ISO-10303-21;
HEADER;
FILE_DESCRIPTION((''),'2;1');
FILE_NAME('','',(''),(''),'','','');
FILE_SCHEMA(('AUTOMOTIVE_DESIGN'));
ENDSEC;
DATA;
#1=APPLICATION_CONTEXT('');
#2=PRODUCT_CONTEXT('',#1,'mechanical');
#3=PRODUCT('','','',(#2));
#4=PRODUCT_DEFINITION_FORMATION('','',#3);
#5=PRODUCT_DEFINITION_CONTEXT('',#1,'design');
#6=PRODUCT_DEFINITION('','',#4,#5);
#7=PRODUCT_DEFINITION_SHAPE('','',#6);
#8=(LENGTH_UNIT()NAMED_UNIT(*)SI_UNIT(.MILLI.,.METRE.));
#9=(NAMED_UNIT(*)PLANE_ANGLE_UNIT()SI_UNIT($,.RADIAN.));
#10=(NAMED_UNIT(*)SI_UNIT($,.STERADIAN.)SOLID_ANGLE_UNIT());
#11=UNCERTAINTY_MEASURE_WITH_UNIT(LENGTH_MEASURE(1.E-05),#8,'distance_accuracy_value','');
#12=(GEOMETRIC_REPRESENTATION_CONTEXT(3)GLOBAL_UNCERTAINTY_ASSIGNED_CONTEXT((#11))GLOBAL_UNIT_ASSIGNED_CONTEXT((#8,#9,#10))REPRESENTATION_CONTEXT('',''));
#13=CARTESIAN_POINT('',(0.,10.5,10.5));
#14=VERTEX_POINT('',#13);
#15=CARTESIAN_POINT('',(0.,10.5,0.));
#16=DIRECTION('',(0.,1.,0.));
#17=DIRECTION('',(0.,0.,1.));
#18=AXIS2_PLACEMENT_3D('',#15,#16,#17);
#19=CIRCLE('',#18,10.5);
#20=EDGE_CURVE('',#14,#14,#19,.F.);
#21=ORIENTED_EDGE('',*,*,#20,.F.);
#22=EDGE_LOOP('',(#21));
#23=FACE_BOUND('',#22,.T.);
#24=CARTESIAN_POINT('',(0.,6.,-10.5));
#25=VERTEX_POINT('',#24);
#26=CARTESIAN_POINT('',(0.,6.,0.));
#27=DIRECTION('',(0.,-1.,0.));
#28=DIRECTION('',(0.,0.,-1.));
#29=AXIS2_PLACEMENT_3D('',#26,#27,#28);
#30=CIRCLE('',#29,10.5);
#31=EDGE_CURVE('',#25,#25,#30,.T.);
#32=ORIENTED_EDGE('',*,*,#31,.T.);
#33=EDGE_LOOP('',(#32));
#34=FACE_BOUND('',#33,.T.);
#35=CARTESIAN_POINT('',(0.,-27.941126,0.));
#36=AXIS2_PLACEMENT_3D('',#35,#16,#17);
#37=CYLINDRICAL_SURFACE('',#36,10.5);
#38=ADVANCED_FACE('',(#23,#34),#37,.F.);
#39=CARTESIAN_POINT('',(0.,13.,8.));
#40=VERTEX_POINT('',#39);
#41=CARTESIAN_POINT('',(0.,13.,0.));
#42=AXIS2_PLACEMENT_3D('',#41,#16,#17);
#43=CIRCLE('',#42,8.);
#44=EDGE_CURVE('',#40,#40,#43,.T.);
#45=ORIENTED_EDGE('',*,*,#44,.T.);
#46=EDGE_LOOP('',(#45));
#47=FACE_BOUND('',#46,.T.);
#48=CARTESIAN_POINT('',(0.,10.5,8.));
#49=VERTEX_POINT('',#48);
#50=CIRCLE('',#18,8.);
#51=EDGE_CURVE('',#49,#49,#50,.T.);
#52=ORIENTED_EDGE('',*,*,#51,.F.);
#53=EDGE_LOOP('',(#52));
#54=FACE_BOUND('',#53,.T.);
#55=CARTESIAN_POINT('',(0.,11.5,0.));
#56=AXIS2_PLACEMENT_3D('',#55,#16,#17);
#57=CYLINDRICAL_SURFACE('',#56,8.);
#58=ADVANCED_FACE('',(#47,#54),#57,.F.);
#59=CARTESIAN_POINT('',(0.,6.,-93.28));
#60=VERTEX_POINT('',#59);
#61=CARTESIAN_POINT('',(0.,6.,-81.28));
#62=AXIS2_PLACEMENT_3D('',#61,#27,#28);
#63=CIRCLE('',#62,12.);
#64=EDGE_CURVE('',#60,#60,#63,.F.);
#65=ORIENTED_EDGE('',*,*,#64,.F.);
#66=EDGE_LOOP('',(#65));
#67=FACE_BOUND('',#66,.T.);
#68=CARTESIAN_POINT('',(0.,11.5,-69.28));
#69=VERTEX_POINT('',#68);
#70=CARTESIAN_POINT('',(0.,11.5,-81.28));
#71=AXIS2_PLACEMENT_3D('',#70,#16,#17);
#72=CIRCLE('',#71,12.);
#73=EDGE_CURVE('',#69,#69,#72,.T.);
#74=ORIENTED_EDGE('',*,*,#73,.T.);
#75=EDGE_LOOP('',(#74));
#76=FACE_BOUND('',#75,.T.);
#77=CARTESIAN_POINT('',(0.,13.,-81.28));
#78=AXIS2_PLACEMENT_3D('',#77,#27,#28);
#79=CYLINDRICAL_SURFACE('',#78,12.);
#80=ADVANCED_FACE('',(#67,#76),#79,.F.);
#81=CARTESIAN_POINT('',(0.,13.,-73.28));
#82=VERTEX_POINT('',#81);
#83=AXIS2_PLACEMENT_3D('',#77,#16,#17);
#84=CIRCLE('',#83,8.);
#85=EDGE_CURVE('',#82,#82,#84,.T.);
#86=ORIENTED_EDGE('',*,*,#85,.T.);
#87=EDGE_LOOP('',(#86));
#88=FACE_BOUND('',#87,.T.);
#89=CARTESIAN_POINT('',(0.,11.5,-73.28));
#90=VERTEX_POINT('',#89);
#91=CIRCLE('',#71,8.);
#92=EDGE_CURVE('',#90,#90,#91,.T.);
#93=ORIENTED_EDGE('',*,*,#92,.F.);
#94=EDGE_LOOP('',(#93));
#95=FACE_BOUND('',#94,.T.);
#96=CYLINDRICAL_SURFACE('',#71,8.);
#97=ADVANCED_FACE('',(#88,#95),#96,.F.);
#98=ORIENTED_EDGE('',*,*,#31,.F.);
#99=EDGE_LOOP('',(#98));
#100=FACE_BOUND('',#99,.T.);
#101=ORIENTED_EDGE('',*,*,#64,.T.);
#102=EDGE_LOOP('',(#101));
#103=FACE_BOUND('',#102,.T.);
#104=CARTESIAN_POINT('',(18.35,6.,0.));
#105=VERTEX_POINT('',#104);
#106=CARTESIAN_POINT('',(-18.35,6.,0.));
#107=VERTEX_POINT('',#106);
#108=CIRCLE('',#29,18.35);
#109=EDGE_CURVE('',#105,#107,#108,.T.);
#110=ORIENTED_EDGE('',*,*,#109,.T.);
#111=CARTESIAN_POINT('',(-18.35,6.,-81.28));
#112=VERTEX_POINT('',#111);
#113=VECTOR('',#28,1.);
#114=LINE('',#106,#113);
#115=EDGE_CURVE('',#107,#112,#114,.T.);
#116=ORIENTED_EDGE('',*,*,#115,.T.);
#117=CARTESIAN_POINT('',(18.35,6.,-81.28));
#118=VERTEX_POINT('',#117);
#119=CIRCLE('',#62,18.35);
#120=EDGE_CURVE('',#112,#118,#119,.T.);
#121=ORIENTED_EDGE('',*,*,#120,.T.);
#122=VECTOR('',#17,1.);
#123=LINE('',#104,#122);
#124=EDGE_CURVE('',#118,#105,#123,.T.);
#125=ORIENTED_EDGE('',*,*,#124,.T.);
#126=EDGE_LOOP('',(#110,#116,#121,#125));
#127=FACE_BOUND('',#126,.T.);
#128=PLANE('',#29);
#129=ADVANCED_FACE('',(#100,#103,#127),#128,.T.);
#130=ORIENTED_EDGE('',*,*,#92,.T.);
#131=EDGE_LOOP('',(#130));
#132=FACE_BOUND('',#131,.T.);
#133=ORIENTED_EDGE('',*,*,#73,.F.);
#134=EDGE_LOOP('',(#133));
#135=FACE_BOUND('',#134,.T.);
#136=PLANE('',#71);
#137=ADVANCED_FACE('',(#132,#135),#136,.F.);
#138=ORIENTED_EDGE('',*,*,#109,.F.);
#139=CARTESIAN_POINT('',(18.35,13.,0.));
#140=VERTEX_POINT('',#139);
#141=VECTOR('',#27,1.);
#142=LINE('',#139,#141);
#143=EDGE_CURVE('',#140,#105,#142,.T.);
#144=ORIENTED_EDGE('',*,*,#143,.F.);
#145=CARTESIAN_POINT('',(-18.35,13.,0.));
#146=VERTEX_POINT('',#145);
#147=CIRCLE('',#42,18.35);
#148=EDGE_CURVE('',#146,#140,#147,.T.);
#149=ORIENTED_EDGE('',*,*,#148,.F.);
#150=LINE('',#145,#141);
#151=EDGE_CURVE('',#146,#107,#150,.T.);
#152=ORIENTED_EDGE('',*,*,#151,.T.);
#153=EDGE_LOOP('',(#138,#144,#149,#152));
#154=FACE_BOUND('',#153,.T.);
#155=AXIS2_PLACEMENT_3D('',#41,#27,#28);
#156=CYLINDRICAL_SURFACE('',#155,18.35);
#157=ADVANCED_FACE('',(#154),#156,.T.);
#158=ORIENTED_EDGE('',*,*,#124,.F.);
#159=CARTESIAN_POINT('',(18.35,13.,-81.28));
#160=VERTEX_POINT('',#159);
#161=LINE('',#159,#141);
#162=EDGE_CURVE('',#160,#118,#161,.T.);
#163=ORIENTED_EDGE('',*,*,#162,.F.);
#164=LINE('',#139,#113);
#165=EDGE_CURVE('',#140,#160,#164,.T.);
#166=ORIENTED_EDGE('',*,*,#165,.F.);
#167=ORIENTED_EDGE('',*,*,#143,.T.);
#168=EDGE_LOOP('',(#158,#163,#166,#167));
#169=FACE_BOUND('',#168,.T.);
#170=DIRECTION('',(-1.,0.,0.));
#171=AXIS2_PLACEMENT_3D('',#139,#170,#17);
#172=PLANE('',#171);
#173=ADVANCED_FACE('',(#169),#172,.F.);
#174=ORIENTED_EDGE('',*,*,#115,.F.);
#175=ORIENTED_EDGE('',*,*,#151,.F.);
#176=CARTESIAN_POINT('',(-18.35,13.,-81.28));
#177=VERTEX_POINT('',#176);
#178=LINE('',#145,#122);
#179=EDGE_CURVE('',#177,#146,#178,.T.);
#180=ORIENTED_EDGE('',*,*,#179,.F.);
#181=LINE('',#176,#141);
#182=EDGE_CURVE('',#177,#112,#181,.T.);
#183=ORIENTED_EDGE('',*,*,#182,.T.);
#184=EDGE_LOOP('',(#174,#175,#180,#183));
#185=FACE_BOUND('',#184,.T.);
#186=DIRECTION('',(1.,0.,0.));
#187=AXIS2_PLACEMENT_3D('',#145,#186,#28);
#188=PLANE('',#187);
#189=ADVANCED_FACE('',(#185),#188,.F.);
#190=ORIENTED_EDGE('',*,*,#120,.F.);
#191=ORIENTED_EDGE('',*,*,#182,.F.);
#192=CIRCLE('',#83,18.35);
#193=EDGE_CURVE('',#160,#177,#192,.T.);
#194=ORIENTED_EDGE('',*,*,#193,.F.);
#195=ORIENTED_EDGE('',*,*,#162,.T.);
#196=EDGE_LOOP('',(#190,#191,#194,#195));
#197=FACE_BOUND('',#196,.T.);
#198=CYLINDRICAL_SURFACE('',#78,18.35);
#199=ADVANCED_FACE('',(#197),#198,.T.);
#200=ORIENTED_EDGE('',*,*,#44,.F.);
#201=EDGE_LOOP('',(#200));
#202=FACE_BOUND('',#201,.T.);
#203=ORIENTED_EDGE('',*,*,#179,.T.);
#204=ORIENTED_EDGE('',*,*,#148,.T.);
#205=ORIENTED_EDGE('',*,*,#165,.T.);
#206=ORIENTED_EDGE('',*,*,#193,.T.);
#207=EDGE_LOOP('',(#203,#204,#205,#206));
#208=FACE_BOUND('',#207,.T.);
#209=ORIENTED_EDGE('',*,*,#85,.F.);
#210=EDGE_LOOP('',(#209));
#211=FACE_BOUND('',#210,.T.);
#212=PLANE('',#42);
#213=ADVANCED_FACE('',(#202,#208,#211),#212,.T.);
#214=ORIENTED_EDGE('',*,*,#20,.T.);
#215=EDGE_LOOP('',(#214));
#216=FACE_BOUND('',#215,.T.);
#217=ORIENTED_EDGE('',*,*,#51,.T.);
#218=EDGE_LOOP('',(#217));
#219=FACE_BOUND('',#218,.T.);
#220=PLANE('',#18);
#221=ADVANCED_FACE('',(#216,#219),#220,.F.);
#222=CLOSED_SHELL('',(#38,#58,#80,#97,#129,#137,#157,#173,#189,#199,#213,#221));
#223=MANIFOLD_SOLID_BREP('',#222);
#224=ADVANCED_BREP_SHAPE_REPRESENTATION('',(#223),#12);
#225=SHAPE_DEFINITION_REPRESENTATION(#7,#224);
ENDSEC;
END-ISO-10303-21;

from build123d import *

# Parameters (mm, degrees)
SKETCH1_R           = 12.000000003
BOSS_EXTRUDE1_DEPTH = 13
SKETCH2_R           = 12.000000003
CUT_EXTRUDE1_DEPTH  = 6
BOSS_EXTRUDE2_START = -1.5
SKETCH3_R           = 12.000000003
SKETCH3_R_2         = 8
BOSS_EXTRUDE2_DEPTH = 1.5
SKETCH4_W           = 40.64
SKETCH4_H           = 6
CUT_EXTRUDE2_DEPTH  = 107.967410462
BOSS_EXTRUDE3_START = 5.499999908
SKETCH6_R           = 12.000000003
SKETCH6_R_2         = 10.5
BOSS_EXTRUDE3_DEPTH = 5.499999908
MOVE_FACE3_BY       = 1.000000032


with BuildPart() as part:
    # Sketch1 → Boss-Extrude1 (new body)
    with BuildSketch(Plane(origin=(0, 0, 0), x_dir=(1, 0, 0), z_dir=(0, 1, 0))):
        with BuildLine():
            Line((-18.350000003, 0), (-18.350000003, 81.28))
            ThreePointArc((-18.350000003, 81.28), (0, 99.630000003), (18.350000003, 81.28))
            Line((18.350000003, 81.28), (18.350000003, 0))
            ThreePointArc((18.350000003, 0), (0, -18.350000003), (-18.350000003, 0))
        make_face()
        with Locations(Location((0, 0, 0), (0, 0, 270))):
            Circle(SKETCH1_R, mode=Mode.SUBTRACT)
        with Locations(Location((0, 81.28, 0), (0, 0, 270))):
            Circle(SKETCH1_R, mode=Mode.SUBTRACT)
    extrude(amount=BOSS_EXTRUDE1_DEPTH)

    # Sketch2 → Cut-Extrude1 (cut)
    # profile 1 of 2: a face of its own
    with BuildSketch(Plane.XZ):
        with BuildLine():
            Line((-18.350000003, -60.96), (-18.350000003, -81.28))
            ThreePointArc((-18.350000003, -81.28), (0, -99.630000003), (18.350000003, -81.28))
            Line((18.350000003, -81.28), (18.350000003, -60.96))
            Line((18.350000003, -60.96), (-18.350000003, -60.96))
        make_face()
        with Locations(Location((0, -81.28, 0), (0, 0, 270))):
            Circle(SKETCH2_R, mode=Mode.SUBTRACT)
    # profile 2 of 2: a face of its own
    with BuildSketch(Plane.XZ):
        with BuildLine():
            ThreePointArc((18.350000003, 0), (0, 18.350000003), (-18.350000003, 0))
            Line((-18.350000003, 0), (-18.350000003, -20.32))
            Line((-18.350000003, -20.32), (18.350000003, -20.32))
            Line((18.350000003, -20.32), (18.350000003, 0))
        make_face()
    extrude(amount=-CUT_EXTRUDE1_DEPTH, mode=Mode.SUBTRACT)

    # Sketch3 → Boss-Extrude2 (add)
    # profile 1 of 2: a face of its own
    with BuildSketch(Plane(origin=(0, 12.999999908, 0), x_dir=(1, 0, 0), z_dir=(0, 1, 0)).offset(BOSS_EXTRUDE2_START)):
        with Locations(Location((0, 81.28, 0), (0, 0, 90))):
            Circle(SKETCH3_R)
        with Locations(Location((0, 81.28, 0), (0, 0, 270))):
            Circle(SKETCH3_R_2, mode=Mode.SUBTRACT)
    # profile 2 of 2: a face of its own
    with BuildSketch(Plane(origin=(0, 12.999999908, 0), x_dir=(1, 0, 0), z_dir=(0, 1, 0)).offset(BOSS_EXTRUDE2_START)):
        with Locations(Location((0, 0, 0), (0, 0, 90))):
            Circle(SKETCH3_R)
        with Locations(Location((0, 0, 0), (0, 0, 270))):
            Circle(SKETCH3_R_2, mode=Mode.SUBTRACT)
    extrude(amount=BOSS_EXTRUDE2_DEPTH)

    # Sketch4 → Cut-Extrude2 (cut, through all)
    with BuildSketch(Plane.ZY.offset(18.350000003)):
        with Locations((-40.64, 3)):
            Rectangle(SKETCH4_W, SKETCH4_H)
    extrude(amount=-CUT_EXTRUDE2_DEPTH, mode=Mode.SUBTRACT)

    # Sketch6 → Boss-Extrude3 (add)
    with BuildSketch(Plane.XZ.offset(-11.499999908).offset(BOSS_EXTRUDE3_START)):
        Circle(SKETCH6_R)
        with Locations(Location((0, 0, 0), (0, 0, 270))):
            Circle(SKETCH6_R_2, mode=Mode.SUBTRACT)
    extrude(amount=-BOSS_EXTRUDE3_DEPTH)

    # Move Face3: a face moved outward by 1.0
    extrude(part.faces().sort_by_distance((0, 11.499999908, 8.4))[0], amount=MOVE_FACE3_BY, dir=(0, -1, 0))


solid = part.part
